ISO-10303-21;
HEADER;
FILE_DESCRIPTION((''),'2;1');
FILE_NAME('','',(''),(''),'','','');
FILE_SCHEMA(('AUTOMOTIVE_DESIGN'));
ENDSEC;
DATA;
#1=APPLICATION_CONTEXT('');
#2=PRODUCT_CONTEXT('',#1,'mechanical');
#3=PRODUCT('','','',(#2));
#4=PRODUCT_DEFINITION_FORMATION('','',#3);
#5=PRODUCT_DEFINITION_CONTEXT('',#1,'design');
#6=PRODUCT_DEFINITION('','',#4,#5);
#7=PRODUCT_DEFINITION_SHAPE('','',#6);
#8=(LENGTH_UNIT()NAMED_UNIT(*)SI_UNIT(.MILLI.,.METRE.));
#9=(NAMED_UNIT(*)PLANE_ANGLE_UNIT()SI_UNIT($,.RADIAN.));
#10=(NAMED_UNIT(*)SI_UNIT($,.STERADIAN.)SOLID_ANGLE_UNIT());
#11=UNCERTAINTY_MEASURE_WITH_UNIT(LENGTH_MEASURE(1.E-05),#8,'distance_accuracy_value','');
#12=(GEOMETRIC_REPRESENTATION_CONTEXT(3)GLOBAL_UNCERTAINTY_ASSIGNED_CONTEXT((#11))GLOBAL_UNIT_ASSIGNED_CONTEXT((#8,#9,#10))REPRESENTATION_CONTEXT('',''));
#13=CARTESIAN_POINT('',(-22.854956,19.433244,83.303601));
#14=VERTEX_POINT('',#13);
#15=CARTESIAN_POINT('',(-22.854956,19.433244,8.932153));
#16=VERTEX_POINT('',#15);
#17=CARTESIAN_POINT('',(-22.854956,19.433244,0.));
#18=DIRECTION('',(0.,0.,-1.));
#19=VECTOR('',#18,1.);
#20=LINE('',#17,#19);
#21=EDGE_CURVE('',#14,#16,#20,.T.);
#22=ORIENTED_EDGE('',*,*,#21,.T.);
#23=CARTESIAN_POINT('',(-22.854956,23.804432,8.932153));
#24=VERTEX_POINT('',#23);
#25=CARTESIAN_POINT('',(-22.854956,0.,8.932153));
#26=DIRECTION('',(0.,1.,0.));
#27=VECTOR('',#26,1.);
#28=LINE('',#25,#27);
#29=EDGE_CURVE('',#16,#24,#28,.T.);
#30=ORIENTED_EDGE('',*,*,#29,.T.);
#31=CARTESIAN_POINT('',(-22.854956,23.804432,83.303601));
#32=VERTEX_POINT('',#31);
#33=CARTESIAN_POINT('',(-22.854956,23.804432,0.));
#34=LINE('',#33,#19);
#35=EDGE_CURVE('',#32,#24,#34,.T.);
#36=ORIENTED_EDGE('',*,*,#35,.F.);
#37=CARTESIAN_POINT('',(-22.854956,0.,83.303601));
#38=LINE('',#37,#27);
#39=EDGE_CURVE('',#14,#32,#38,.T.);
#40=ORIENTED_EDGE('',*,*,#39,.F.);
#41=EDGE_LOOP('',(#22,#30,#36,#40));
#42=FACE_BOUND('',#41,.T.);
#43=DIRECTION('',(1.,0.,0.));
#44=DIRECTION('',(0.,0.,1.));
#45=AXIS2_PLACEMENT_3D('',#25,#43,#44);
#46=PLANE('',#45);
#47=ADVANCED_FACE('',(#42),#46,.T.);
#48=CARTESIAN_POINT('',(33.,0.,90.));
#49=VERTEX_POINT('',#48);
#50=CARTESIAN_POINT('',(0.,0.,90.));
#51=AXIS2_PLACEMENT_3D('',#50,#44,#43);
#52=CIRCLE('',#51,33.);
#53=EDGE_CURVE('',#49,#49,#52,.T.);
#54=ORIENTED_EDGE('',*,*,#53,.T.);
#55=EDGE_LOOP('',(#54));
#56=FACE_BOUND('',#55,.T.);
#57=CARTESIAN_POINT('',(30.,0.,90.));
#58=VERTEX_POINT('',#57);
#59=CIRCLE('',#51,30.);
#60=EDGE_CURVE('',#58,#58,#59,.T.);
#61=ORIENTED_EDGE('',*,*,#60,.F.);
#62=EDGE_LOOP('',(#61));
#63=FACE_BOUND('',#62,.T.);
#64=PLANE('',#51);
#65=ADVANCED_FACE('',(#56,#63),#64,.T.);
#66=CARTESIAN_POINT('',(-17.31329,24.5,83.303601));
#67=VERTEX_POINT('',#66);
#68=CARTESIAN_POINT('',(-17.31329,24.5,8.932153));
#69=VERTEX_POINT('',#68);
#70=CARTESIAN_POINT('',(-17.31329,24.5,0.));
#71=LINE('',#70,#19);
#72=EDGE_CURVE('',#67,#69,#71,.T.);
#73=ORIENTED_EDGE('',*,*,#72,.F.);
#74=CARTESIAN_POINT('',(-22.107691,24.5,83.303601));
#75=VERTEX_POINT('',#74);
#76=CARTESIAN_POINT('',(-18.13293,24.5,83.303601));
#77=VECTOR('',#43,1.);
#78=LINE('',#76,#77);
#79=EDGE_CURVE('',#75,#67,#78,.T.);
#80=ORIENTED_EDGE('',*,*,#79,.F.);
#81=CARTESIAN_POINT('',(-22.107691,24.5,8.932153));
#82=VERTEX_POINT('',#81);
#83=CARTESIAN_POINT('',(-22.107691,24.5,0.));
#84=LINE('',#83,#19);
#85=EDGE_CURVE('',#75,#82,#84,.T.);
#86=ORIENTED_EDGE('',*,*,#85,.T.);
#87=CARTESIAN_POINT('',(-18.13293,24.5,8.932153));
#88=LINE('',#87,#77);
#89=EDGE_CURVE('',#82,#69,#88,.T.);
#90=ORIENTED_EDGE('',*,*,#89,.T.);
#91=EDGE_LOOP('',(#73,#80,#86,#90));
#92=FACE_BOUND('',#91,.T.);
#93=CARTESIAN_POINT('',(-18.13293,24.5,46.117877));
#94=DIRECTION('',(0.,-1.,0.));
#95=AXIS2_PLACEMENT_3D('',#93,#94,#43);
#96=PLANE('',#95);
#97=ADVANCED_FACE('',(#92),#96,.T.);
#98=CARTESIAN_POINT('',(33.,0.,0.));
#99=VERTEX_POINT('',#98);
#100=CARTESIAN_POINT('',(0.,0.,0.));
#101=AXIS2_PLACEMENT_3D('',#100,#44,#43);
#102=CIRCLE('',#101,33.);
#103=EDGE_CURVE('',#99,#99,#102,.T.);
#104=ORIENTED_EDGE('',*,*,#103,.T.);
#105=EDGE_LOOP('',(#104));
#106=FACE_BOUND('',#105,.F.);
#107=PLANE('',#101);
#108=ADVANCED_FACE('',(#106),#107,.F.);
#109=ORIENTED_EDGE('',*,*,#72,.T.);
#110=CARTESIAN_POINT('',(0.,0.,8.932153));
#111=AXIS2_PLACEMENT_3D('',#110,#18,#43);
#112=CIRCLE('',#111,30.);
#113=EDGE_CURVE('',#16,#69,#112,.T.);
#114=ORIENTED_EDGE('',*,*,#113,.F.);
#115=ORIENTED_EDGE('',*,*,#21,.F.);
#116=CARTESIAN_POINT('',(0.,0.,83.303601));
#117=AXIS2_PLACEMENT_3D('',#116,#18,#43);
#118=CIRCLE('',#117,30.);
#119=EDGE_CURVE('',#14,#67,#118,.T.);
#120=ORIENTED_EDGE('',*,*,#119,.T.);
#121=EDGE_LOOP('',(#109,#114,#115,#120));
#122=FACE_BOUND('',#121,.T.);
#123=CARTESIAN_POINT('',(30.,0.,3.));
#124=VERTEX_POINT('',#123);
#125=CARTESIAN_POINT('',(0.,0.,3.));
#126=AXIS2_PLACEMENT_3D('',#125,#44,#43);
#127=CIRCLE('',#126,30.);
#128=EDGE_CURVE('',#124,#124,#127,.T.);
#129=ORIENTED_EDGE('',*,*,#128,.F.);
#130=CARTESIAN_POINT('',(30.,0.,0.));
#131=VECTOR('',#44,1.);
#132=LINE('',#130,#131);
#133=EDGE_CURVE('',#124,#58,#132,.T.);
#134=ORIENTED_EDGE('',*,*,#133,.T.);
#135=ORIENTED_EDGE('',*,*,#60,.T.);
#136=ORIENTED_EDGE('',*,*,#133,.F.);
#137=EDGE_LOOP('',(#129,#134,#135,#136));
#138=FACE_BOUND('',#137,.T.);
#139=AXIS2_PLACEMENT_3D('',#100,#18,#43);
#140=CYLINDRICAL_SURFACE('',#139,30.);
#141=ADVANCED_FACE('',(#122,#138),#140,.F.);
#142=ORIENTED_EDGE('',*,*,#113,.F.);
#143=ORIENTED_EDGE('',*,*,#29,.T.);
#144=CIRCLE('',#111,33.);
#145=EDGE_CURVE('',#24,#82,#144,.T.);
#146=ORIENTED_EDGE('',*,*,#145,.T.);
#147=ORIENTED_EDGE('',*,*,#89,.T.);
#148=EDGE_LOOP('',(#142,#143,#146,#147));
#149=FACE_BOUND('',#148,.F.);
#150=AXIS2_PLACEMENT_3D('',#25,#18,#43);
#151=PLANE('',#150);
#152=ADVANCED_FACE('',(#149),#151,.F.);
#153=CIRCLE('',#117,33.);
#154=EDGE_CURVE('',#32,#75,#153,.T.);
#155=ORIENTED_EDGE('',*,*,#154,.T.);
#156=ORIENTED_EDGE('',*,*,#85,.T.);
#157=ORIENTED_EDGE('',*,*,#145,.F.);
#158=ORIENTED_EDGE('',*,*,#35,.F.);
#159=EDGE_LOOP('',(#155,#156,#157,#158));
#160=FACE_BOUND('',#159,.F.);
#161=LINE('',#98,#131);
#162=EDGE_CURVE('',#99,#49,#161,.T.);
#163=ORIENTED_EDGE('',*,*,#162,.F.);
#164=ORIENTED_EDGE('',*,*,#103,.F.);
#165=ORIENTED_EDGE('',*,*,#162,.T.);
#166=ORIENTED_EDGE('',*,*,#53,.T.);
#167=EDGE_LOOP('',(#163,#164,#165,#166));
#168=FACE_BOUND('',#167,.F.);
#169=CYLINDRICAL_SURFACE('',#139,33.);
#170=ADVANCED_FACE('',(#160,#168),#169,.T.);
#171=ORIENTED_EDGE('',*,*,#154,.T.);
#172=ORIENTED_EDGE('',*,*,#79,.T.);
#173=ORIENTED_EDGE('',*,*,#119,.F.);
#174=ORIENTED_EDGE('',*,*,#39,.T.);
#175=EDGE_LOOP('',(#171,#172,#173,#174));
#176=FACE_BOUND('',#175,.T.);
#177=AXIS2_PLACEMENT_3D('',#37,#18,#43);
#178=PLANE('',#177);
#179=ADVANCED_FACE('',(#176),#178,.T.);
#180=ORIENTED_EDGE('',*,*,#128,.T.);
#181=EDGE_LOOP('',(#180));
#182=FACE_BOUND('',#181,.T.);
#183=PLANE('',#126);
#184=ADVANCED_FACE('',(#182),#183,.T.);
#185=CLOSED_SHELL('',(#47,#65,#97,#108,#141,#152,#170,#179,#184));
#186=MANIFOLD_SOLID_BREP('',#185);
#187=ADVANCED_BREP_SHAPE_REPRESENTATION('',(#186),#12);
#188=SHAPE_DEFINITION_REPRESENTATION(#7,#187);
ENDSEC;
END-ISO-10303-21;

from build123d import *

# Parameters (mm, degrees)
F0_R     = 30
F1_DEPTH = 3
F0_R_2   = 33
F2_DEPTH = 90
F3_W     = 9.444052
F3_H     = 74.371448
F4_DEPTH = 24.5


with BuildPart() as f1:
    # F0 (on Top) → F1 (new body)
    with BuildSketch(Plane.XY):
        Circle(F0_R)
    extrude(amount=F1_DEPTH)

    # F0 (on Top) → F2 (join)
    with BuildSketch(Plane.XY):
        Circle(F0_R_2)
        Circle(F0_R, mode=Mode.SUBTRACT)
    extrude(amount=F2_DEPTH)

    # F3 (on Front) → F4 (cut)
    with BuildSketch(Plane.XZ):
        with Locations((-18.13293, 46.117877)):
            Rectangle(F3_W, F3_H)
    extrude(amount=-F4_DEPTH, mode=Mode.SUBTRACT)


solid = f1.part
